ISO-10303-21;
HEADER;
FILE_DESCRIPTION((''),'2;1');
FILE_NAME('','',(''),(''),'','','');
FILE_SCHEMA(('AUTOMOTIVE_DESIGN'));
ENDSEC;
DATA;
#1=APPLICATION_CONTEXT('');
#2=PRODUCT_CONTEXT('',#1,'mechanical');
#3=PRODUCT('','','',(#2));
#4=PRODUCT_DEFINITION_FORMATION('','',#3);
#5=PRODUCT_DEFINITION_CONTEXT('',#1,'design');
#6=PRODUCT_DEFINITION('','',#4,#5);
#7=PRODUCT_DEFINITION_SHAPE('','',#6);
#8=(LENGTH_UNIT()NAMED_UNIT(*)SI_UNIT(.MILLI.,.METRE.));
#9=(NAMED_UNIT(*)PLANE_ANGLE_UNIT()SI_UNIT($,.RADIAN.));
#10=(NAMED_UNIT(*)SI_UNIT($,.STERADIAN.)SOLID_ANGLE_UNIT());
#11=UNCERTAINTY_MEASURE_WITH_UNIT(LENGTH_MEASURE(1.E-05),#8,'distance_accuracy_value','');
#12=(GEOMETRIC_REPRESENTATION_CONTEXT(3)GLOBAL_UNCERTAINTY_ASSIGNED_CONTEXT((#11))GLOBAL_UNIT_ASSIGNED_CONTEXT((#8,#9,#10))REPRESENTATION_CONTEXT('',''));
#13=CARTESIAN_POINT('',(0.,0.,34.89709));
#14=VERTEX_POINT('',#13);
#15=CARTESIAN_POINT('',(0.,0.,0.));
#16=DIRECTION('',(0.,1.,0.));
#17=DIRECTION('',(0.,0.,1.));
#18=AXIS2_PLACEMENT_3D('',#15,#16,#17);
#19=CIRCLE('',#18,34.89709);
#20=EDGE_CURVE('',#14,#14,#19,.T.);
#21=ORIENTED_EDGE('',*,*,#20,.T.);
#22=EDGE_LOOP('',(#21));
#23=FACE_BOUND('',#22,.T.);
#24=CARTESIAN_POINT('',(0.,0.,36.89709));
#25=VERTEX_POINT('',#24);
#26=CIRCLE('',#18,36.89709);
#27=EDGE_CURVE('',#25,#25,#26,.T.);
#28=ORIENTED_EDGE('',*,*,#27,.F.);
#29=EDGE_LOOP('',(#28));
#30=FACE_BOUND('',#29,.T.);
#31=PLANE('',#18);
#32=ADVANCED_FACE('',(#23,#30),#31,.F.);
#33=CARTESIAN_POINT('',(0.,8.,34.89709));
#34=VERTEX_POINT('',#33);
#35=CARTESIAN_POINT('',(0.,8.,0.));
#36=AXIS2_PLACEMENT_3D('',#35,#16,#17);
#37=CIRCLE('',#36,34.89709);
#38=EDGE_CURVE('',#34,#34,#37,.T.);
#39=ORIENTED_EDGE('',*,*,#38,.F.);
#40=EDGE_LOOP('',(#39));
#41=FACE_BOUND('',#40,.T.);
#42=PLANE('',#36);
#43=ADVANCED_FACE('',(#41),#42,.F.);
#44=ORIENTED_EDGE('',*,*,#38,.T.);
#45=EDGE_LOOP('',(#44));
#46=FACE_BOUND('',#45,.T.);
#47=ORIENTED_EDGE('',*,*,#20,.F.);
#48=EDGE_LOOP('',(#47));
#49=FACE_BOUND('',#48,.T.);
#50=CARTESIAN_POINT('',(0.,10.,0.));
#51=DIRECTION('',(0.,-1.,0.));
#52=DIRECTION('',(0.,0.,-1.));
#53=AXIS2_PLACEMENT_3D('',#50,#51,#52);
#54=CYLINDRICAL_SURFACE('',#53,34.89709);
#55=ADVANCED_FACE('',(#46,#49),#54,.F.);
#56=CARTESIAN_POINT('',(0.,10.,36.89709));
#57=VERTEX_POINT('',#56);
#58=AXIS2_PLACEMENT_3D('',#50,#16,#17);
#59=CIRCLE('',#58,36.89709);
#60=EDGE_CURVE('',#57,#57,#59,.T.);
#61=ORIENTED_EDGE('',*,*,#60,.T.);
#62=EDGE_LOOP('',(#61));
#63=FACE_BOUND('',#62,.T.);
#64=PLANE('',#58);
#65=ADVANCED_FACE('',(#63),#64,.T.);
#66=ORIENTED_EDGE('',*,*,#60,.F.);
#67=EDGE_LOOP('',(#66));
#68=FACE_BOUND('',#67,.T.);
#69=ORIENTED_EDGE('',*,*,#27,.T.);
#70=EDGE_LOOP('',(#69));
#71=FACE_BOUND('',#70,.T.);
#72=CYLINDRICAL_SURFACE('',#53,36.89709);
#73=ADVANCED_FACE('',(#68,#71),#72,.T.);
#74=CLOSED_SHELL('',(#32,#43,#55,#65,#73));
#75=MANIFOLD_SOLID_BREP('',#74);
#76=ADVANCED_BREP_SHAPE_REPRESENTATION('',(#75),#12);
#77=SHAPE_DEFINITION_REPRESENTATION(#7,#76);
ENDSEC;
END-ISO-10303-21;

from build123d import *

# Parameters (mm, degrees)
SKETCH1_R           = 36.897090419
BOSS_EXTRUDE1_DEPTH = 10
SHELL1_T            = -2


with BuildPart() as part:
    # Sketch1 → Boss-Extrude1 (new body)
    with BuildSketch(Plane(origin=(0, 0, 0), x_dir=(1, 0, 0), z_dir=(0, 1, 0))):
        with Locations(Location((0, 0, 0), (0, 0, 270))):
            Circle(SKETCH1_R)
    extrude(amount=BOSS_EXTRUDE1_DEPTH)

    # Shell1
    shell1_openings = [part.faces().sort_by_distance(p)[0] for p in [
        (0, 0, 0),
    ]]
    offset(amount=SHELL1_T, openings=shell1_openings, kind=Kind.INTERSECTION)


solid = part.part
